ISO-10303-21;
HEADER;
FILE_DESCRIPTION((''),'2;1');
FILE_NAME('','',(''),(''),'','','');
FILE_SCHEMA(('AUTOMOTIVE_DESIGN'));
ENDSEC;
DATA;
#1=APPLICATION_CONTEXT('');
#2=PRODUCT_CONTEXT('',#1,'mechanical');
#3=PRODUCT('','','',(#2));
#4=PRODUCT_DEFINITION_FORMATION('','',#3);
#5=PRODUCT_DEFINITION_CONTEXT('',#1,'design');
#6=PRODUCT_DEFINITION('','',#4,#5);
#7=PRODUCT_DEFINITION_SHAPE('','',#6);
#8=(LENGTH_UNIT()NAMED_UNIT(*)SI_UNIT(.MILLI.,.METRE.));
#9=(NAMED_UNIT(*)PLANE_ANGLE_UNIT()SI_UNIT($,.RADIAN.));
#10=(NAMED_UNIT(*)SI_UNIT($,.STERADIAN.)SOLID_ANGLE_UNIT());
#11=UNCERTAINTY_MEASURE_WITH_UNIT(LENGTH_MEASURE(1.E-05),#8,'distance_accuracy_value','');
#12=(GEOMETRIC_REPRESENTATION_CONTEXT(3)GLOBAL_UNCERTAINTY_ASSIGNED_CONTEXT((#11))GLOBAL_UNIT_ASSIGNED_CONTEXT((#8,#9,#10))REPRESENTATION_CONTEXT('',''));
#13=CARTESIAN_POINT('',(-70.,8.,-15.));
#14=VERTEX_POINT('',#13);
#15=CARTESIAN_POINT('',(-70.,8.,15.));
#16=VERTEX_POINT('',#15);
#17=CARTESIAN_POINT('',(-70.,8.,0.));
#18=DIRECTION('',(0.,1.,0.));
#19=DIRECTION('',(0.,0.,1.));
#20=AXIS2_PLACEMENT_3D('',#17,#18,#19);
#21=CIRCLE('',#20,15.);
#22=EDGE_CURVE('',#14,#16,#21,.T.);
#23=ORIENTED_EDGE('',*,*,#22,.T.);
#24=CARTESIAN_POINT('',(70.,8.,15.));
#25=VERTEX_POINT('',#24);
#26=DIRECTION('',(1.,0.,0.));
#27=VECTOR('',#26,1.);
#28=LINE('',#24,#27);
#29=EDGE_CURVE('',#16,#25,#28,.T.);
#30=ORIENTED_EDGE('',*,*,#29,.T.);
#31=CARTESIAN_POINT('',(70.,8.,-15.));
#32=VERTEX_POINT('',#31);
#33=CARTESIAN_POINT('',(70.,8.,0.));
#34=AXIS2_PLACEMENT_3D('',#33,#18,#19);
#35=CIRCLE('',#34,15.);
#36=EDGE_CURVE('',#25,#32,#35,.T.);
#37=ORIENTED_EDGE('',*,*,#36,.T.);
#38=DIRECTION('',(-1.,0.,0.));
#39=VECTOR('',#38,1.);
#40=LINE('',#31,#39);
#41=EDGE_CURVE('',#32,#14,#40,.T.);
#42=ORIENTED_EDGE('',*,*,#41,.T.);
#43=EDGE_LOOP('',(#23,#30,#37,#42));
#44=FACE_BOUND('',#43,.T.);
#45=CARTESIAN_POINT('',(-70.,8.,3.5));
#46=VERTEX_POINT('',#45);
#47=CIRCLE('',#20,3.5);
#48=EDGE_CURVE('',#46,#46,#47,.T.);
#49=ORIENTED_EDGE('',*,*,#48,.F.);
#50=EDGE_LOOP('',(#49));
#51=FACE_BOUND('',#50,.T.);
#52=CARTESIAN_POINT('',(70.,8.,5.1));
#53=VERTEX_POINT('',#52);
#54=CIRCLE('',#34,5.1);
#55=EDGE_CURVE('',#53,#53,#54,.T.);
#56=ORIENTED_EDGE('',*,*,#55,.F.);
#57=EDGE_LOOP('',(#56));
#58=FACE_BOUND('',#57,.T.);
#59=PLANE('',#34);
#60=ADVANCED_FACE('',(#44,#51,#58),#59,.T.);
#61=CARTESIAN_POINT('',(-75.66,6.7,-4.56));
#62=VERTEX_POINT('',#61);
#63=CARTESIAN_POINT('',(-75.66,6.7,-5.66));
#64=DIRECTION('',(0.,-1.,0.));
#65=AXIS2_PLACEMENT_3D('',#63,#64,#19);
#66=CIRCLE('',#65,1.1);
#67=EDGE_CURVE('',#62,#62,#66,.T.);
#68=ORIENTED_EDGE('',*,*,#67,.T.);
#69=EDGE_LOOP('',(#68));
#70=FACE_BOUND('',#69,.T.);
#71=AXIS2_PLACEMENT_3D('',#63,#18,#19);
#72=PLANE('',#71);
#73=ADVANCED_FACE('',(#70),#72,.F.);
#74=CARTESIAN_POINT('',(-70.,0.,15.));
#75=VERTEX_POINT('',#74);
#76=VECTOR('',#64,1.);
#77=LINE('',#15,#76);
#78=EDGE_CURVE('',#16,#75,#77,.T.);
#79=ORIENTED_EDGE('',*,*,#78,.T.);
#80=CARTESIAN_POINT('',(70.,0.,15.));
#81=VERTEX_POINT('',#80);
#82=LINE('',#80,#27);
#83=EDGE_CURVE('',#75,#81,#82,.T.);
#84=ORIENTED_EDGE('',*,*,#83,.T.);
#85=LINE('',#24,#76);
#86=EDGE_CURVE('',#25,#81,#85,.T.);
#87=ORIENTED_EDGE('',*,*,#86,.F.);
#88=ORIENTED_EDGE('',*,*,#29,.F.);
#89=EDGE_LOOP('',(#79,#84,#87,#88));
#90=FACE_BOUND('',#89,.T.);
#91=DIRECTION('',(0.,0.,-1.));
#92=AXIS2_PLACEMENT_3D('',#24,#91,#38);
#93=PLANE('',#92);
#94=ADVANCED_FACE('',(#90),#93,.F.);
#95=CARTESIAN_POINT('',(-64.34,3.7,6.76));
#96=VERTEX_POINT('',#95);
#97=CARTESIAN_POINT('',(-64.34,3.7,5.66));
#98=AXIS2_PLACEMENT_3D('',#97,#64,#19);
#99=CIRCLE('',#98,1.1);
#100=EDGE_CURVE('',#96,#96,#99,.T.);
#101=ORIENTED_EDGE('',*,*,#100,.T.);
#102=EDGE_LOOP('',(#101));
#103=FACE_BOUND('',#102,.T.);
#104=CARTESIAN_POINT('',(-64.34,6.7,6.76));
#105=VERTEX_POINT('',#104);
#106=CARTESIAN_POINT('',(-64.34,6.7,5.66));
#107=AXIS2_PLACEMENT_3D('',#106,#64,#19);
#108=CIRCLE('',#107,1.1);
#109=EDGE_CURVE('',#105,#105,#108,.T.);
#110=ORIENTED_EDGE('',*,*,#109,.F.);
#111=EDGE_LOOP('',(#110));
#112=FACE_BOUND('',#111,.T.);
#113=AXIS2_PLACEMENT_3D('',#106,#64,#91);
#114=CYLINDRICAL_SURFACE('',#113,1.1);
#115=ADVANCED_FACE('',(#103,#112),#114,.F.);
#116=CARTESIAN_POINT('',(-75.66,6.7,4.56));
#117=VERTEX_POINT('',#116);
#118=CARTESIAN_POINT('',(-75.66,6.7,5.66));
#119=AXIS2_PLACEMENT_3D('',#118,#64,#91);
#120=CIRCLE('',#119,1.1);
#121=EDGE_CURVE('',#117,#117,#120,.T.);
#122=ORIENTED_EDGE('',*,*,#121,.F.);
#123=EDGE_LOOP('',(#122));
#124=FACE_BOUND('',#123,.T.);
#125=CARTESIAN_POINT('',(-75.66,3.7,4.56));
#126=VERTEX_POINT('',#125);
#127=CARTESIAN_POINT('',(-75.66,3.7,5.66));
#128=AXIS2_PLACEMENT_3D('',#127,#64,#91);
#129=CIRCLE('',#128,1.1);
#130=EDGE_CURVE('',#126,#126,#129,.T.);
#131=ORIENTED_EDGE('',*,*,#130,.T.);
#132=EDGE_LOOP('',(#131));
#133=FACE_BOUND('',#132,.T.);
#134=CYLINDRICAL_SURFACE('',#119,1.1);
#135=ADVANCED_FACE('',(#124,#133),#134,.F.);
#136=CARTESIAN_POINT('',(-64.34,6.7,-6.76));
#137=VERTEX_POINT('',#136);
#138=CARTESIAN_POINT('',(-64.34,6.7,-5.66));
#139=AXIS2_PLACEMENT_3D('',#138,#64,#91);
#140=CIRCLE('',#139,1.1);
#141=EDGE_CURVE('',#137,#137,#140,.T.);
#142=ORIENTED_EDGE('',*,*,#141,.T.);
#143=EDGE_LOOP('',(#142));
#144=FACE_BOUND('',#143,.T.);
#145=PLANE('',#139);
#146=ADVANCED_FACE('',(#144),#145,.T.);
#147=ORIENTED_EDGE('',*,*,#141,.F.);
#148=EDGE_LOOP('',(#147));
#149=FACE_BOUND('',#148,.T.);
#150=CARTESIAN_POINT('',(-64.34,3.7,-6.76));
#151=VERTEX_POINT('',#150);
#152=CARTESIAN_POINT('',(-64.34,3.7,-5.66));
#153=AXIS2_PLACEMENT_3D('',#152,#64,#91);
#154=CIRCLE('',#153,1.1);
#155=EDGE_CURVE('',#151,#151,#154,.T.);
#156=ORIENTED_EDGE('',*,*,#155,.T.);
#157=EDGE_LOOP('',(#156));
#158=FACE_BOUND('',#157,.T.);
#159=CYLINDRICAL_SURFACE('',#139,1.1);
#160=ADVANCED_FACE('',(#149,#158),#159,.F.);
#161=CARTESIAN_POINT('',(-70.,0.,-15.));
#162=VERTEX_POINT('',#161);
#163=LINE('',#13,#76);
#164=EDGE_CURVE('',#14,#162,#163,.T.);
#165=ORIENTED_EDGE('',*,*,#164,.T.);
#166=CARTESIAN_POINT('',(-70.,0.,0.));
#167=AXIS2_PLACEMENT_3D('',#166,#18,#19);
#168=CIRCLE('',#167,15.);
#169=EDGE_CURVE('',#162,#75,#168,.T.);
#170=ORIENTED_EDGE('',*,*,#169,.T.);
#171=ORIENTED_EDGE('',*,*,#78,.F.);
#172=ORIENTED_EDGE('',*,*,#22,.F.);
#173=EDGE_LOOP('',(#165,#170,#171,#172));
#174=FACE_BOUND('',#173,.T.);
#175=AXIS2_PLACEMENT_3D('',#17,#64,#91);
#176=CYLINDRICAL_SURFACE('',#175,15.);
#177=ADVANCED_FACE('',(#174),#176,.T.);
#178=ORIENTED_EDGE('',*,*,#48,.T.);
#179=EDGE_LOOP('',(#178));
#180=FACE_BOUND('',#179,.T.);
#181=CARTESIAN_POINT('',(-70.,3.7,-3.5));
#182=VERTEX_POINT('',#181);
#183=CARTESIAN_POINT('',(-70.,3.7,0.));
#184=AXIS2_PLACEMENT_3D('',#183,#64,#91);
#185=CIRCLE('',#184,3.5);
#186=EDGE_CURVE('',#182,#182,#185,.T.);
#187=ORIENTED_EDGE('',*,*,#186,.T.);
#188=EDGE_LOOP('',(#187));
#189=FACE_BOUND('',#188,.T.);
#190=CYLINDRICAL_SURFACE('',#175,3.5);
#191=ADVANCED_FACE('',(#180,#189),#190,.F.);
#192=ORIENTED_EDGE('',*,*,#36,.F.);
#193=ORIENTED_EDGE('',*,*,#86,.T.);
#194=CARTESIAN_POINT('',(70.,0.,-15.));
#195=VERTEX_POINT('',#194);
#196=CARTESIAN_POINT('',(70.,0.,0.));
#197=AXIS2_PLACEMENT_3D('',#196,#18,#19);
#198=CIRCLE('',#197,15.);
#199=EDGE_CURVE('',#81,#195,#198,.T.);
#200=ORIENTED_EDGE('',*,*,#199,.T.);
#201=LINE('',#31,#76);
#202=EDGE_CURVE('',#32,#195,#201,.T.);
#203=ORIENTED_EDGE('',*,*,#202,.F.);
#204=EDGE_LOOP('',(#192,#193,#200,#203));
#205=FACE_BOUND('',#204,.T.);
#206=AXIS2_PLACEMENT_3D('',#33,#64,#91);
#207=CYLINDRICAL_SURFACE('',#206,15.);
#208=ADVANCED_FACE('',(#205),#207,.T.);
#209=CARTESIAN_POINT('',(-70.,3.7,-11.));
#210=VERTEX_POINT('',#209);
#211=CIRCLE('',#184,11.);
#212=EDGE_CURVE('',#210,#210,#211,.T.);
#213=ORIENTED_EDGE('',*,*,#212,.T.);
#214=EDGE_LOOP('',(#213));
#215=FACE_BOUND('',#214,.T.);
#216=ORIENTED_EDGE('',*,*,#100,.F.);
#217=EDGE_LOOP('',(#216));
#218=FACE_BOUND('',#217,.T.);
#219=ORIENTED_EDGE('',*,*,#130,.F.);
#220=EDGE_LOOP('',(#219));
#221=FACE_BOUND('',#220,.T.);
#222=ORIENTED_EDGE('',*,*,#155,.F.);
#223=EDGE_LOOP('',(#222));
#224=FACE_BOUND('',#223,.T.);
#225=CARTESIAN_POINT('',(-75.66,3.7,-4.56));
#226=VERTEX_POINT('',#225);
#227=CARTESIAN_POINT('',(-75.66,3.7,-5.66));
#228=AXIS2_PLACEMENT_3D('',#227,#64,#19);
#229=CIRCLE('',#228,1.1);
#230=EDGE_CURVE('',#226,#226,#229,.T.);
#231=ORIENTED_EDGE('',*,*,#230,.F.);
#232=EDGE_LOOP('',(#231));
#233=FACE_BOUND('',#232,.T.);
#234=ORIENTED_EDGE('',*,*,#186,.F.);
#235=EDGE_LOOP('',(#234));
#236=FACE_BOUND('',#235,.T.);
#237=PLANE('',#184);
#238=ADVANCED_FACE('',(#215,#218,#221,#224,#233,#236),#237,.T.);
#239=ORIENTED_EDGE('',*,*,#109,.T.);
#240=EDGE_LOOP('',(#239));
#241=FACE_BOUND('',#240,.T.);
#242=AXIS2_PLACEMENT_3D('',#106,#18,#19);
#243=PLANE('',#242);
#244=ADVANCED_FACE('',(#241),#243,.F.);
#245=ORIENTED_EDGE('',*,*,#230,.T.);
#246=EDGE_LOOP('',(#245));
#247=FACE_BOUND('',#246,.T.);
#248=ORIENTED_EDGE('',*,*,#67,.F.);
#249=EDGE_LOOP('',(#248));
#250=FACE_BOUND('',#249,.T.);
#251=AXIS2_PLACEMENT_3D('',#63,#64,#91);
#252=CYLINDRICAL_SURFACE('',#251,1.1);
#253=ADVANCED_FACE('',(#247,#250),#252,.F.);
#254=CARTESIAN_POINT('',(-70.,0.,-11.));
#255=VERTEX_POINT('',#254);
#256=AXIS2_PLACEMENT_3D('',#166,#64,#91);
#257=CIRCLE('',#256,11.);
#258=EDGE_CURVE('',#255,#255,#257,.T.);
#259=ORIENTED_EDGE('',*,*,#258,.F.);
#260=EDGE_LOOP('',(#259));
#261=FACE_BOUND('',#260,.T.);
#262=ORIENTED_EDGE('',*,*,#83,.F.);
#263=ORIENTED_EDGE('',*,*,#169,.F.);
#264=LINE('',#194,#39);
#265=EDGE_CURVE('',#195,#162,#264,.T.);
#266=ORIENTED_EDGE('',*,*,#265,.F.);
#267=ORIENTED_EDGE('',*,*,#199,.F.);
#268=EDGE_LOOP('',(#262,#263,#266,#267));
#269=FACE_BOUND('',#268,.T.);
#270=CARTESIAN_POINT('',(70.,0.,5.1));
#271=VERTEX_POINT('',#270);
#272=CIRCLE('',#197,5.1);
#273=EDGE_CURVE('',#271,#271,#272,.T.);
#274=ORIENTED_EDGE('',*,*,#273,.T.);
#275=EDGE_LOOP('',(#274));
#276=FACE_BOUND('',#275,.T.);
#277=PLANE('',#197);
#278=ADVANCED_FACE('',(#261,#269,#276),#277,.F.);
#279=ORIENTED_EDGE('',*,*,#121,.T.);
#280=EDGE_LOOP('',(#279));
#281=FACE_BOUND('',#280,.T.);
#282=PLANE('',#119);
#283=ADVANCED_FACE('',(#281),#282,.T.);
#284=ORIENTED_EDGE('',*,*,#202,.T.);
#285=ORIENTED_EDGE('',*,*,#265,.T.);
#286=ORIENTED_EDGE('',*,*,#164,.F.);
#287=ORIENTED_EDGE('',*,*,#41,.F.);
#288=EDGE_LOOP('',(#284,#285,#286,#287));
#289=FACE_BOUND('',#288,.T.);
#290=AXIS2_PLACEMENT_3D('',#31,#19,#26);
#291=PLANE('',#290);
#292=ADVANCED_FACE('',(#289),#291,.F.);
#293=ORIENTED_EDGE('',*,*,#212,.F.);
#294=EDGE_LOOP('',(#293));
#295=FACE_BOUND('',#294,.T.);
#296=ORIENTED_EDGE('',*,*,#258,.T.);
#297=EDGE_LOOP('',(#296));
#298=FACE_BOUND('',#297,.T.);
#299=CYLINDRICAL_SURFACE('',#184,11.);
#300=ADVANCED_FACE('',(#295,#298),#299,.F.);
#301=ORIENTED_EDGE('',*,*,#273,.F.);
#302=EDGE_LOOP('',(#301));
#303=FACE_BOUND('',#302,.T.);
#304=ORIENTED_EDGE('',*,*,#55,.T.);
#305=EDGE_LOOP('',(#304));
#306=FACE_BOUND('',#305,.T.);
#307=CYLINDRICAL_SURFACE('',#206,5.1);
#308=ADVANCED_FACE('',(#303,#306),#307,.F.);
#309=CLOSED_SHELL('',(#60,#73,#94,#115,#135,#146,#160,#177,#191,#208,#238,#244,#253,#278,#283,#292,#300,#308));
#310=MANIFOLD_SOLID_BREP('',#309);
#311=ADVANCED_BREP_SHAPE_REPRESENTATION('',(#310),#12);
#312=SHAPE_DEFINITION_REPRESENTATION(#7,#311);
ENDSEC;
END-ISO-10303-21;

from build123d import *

# Parameters (mm, degrees)
SCHIZZO2_R                   = 5.1
SCHIZZO2_R_2                 = 3.5
ESTRUSIONE_ESTRUSIONE1_DEPTH = 8
SCHIZZO4_R                   = 11
TAGLIO_ESTRUSIONE1_DEPTH     = 3.7
SCHIZZO5_R                   = 1.1
TAGLIO_ESTRUSIONE2_DEPTH     = 3


with BuildPart() as part:
    # Schizzo2 → Estrusione-Estrusione1 (new body)
    with BuildSketch(Plane(origin=(0, 0, 0), x_dir=(1, 0, 0), z_dir=(0, 1, 0))):
        with BuildLine():
            Line((70, -15), (-70, -15))
            ThreePointArc((-70, -15), (-85, 0), (-70, 15))
            Line((-70, 15), (70, 15))
            ThreePointArc((70, 15), (85, 0), (70, -15))
        make_face()
        with Locations(Location((70, 0, 0), (0, 0, 270))):
            Circle(SCHIZZO2_R, mode=Mode.SUBTRACT)
        with Locations(Location((-70, 0, 0), (0, 0, 270))):
            Circle(SCHIZZO2_R_2, mode=Mode.SUBTRACT)
    extrude(amount=ESTRUSIONE_ESTRUSIONE1_DEPTH)

    # Schizzo4 → Taglio-Estrusione1 (cut)
    with BuildSketch(Plane.XZ):
        with Locations(Location((-70, 0, 0), (0, 0, 270))):
            Circle(SCHIZZO4_R)
    extrude(amount=-TAGLIO_ESTRUSIONE1_DEPTH, mode=Mode.SUBTRACT)

    # Schizzo5 → Taglio-Estrusione2 (cut)
    with BuildSketch(Plane.XZ.offset(-3.7)):
        with Locations(Location((-75.66, 5.66, 0), (0, 0, 270))):
            Circle(SCHIZZO5_R)
        with Locations(Location((-64.34, 5.66, 0), (0, 0, 90))):
            Circle(SCHIZZO5_R)
        with Locations(Location((-64.34, -5.66, 0), (0, 0, 270))):
            Circle(SCHIZZO5_R)
        with Locations(Location((-75.66, -5.66, 0), (0, 0, 90))):
            Circle(SCHIZZO5_R)
    extrude(amount=-TAGLIO_ESTRUSIONE2_DEPTH, mode=Mode.SUBTRACT)


solid = part.part
